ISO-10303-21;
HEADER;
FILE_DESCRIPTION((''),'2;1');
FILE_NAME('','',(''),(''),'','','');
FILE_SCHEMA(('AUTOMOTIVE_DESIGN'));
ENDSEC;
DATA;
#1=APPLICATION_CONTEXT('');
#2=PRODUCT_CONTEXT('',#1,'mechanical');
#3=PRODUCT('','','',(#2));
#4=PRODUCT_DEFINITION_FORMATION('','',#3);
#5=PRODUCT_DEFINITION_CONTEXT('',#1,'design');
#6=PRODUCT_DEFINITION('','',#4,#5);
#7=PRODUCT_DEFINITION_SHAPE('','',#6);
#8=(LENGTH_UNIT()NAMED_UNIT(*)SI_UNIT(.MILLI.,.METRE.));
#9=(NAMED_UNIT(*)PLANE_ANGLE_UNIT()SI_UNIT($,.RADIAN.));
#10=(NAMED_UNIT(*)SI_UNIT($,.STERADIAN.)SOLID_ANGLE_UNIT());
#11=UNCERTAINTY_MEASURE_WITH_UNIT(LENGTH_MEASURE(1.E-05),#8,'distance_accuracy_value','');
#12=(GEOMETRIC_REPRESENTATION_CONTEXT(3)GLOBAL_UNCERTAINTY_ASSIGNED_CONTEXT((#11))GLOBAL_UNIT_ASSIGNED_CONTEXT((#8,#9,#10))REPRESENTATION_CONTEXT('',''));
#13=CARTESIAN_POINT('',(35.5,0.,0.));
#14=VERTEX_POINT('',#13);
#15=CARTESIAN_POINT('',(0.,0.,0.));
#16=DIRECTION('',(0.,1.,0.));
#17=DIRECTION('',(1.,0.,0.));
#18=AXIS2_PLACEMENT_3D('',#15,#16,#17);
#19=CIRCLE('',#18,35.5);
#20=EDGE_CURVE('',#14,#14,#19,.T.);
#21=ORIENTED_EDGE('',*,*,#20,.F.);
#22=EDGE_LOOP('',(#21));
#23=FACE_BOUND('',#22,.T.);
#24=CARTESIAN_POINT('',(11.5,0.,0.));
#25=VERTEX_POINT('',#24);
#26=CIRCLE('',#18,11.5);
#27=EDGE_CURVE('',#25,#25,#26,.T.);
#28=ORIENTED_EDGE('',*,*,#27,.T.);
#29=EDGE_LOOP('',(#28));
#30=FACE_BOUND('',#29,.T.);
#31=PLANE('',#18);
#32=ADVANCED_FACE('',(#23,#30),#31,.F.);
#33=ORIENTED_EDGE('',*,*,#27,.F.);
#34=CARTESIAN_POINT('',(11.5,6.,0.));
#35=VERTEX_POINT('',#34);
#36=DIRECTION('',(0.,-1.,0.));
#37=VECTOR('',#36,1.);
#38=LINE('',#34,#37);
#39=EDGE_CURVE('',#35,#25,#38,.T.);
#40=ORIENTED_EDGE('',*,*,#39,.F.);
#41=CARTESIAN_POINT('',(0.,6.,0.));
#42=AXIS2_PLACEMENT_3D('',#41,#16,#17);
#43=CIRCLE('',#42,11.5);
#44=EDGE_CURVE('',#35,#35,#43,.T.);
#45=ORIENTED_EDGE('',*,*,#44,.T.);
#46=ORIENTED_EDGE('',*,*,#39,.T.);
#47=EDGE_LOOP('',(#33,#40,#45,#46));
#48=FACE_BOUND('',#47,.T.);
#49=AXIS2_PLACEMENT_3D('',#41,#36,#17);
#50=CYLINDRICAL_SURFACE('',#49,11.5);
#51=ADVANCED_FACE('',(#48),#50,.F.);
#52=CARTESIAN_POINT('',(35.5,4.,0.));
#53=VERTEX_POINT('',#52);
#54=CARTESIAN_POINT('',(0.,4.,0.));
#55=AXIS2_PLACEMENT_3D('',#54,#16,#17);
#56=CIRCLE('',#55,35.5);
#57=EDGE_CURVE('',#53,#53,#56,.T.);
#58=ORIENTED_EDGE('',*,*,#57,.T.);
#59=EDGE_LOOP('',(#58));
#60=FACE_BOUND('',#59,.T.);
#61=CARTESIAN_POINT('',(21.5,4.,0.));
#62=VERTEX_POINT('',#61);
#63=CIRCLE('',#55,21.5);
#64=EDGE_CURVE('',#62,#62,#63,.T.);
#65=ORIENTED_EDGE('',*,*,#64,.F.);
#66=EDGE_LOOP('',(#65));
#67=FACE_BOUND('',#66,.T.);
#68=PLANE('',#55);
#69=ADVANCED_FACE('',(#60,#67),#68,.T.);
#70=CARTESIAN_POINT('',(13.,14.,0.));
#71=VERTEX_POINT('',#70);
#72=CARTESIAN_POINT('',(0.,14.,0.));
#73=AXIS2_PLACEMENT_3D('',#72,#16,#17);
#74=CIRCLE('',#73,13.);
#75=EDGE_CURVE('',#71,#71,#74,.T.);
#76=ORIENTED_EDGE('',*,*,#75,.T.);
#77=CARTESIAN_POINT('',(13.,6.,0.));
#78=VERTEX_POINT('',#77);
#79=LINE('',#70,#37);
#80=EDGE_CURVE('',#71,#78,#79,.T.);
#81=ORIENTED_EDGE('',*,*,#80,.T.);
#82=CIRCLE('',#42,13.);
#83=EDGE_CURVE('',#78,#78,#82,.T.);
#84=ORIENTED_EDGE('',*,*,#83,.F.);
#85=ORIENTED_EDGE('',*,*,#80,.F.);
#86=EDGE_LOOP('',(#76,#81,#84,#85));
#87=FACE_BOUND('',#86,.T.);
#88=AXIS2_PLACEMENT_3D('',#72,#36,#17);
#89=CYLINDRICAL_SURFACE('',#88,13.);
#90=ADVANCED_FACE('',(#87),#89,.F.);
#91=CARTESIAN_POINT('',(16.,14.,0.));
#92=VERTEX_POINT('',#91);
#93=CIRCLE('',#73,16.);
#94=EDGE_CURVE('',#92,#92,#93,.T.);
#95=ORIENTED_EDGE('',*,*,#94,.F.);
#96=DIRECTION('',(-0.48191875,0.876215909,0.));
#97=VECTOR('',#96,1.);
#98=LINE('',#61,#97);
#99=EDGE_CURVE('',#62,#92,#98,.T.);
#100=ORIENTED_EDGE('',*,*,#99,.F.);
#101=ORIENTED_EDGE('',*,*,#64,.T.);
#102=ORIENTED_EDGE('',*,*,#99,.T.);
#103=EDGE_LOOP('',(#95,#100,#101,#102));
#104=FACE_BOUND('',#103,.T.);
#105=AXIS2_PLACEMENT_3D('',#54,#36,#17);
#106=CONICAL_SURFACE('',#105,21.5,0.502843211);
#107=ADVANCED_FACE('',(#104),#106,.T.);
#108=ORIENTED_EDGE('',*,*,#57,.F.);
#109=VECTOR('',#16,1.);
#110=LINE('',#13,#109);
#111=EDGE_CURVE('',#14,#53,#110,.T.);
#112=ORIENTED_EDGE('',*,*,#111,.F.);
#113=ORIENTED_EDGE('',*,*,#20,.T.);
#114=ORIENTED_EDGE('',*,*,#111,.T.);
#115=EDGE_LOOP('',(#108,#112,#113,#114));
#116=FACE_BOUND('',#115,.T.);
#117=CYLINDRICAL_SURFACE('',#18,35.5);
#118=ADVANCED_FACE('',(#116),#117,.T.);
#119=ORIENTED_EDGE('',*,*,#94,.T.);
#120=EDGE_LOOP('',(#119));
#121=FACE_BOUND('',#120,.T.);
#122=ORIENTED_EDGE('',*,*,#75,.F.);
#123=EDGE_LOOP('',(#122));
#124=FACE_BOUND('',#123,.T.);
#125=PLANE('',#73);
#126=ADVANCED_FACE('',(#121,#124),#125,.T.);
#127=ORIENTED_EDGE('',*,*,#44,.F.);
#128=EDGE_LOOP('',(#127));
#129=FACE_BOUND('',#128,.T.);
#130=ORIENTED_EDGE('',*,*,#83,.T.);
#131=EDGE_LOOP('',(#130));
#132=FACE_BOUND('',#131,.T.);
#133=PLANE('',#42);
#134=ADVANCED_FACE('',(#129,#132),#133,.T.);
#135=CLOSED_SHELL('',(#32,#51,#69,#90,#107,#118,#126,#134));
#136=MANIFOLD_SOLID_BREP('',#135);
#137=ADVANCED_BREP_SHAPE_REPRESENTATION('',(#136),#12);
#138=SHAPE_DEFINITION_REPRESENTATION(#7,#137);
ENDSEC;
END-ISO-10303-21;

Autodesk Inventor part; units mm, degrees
ref_plane "YZ Plane" through (0, 0, 0) normal (1, 0, 0) x (0, 1, 0)
ref_plane "XZ Plane" through (0, 0, 0) normal (0, 1, 0) x (-1, 0, 0)
ref_plane "XY Plane" through (0, 0, 0) normal (0, 0, 1) x (1, 0, 0)
sketch "Sketch2" plane through (0, 0, 0) normal (0, 0, 1) x (1, 0, 0)
  line L0 (11.5, 0) -> (35.5, 0)
  line L1 (35.5, 0) -> (35.5, 4)
  line L2 (35.5, 4) -> (21.5, 4)
  line L3 (21.5, 4) -> (16, 14)
  line L4 (16, 14) -> (13, 14)
  line L5 (13, 14) -> (13, 6)
  line L6 (13, 6) -> (11.5, 6)
  line L7 (11.5, 6) -> (11.5, 0)
  line L8 (0, -2.8) -> (0, 16.8) projected
  point P0 (0, 0)
  dimension "d0" = 13
  dimension "d1" = 1.5
  dimension "d2" = 3
  dimension "d3" = 24
  dimension "d4" = 6
  dimension "d5" = 8
  dimension "d6" = 0
  dimension "d7" = 4
  dimension "d8" = 14
revolve "Revolution1" add sketch "Sketch2" angle 360 about axis through (0, -10, 0) along (0, 1, 0)
properties part number "base reaction wheel" material "ABS Plastic"
